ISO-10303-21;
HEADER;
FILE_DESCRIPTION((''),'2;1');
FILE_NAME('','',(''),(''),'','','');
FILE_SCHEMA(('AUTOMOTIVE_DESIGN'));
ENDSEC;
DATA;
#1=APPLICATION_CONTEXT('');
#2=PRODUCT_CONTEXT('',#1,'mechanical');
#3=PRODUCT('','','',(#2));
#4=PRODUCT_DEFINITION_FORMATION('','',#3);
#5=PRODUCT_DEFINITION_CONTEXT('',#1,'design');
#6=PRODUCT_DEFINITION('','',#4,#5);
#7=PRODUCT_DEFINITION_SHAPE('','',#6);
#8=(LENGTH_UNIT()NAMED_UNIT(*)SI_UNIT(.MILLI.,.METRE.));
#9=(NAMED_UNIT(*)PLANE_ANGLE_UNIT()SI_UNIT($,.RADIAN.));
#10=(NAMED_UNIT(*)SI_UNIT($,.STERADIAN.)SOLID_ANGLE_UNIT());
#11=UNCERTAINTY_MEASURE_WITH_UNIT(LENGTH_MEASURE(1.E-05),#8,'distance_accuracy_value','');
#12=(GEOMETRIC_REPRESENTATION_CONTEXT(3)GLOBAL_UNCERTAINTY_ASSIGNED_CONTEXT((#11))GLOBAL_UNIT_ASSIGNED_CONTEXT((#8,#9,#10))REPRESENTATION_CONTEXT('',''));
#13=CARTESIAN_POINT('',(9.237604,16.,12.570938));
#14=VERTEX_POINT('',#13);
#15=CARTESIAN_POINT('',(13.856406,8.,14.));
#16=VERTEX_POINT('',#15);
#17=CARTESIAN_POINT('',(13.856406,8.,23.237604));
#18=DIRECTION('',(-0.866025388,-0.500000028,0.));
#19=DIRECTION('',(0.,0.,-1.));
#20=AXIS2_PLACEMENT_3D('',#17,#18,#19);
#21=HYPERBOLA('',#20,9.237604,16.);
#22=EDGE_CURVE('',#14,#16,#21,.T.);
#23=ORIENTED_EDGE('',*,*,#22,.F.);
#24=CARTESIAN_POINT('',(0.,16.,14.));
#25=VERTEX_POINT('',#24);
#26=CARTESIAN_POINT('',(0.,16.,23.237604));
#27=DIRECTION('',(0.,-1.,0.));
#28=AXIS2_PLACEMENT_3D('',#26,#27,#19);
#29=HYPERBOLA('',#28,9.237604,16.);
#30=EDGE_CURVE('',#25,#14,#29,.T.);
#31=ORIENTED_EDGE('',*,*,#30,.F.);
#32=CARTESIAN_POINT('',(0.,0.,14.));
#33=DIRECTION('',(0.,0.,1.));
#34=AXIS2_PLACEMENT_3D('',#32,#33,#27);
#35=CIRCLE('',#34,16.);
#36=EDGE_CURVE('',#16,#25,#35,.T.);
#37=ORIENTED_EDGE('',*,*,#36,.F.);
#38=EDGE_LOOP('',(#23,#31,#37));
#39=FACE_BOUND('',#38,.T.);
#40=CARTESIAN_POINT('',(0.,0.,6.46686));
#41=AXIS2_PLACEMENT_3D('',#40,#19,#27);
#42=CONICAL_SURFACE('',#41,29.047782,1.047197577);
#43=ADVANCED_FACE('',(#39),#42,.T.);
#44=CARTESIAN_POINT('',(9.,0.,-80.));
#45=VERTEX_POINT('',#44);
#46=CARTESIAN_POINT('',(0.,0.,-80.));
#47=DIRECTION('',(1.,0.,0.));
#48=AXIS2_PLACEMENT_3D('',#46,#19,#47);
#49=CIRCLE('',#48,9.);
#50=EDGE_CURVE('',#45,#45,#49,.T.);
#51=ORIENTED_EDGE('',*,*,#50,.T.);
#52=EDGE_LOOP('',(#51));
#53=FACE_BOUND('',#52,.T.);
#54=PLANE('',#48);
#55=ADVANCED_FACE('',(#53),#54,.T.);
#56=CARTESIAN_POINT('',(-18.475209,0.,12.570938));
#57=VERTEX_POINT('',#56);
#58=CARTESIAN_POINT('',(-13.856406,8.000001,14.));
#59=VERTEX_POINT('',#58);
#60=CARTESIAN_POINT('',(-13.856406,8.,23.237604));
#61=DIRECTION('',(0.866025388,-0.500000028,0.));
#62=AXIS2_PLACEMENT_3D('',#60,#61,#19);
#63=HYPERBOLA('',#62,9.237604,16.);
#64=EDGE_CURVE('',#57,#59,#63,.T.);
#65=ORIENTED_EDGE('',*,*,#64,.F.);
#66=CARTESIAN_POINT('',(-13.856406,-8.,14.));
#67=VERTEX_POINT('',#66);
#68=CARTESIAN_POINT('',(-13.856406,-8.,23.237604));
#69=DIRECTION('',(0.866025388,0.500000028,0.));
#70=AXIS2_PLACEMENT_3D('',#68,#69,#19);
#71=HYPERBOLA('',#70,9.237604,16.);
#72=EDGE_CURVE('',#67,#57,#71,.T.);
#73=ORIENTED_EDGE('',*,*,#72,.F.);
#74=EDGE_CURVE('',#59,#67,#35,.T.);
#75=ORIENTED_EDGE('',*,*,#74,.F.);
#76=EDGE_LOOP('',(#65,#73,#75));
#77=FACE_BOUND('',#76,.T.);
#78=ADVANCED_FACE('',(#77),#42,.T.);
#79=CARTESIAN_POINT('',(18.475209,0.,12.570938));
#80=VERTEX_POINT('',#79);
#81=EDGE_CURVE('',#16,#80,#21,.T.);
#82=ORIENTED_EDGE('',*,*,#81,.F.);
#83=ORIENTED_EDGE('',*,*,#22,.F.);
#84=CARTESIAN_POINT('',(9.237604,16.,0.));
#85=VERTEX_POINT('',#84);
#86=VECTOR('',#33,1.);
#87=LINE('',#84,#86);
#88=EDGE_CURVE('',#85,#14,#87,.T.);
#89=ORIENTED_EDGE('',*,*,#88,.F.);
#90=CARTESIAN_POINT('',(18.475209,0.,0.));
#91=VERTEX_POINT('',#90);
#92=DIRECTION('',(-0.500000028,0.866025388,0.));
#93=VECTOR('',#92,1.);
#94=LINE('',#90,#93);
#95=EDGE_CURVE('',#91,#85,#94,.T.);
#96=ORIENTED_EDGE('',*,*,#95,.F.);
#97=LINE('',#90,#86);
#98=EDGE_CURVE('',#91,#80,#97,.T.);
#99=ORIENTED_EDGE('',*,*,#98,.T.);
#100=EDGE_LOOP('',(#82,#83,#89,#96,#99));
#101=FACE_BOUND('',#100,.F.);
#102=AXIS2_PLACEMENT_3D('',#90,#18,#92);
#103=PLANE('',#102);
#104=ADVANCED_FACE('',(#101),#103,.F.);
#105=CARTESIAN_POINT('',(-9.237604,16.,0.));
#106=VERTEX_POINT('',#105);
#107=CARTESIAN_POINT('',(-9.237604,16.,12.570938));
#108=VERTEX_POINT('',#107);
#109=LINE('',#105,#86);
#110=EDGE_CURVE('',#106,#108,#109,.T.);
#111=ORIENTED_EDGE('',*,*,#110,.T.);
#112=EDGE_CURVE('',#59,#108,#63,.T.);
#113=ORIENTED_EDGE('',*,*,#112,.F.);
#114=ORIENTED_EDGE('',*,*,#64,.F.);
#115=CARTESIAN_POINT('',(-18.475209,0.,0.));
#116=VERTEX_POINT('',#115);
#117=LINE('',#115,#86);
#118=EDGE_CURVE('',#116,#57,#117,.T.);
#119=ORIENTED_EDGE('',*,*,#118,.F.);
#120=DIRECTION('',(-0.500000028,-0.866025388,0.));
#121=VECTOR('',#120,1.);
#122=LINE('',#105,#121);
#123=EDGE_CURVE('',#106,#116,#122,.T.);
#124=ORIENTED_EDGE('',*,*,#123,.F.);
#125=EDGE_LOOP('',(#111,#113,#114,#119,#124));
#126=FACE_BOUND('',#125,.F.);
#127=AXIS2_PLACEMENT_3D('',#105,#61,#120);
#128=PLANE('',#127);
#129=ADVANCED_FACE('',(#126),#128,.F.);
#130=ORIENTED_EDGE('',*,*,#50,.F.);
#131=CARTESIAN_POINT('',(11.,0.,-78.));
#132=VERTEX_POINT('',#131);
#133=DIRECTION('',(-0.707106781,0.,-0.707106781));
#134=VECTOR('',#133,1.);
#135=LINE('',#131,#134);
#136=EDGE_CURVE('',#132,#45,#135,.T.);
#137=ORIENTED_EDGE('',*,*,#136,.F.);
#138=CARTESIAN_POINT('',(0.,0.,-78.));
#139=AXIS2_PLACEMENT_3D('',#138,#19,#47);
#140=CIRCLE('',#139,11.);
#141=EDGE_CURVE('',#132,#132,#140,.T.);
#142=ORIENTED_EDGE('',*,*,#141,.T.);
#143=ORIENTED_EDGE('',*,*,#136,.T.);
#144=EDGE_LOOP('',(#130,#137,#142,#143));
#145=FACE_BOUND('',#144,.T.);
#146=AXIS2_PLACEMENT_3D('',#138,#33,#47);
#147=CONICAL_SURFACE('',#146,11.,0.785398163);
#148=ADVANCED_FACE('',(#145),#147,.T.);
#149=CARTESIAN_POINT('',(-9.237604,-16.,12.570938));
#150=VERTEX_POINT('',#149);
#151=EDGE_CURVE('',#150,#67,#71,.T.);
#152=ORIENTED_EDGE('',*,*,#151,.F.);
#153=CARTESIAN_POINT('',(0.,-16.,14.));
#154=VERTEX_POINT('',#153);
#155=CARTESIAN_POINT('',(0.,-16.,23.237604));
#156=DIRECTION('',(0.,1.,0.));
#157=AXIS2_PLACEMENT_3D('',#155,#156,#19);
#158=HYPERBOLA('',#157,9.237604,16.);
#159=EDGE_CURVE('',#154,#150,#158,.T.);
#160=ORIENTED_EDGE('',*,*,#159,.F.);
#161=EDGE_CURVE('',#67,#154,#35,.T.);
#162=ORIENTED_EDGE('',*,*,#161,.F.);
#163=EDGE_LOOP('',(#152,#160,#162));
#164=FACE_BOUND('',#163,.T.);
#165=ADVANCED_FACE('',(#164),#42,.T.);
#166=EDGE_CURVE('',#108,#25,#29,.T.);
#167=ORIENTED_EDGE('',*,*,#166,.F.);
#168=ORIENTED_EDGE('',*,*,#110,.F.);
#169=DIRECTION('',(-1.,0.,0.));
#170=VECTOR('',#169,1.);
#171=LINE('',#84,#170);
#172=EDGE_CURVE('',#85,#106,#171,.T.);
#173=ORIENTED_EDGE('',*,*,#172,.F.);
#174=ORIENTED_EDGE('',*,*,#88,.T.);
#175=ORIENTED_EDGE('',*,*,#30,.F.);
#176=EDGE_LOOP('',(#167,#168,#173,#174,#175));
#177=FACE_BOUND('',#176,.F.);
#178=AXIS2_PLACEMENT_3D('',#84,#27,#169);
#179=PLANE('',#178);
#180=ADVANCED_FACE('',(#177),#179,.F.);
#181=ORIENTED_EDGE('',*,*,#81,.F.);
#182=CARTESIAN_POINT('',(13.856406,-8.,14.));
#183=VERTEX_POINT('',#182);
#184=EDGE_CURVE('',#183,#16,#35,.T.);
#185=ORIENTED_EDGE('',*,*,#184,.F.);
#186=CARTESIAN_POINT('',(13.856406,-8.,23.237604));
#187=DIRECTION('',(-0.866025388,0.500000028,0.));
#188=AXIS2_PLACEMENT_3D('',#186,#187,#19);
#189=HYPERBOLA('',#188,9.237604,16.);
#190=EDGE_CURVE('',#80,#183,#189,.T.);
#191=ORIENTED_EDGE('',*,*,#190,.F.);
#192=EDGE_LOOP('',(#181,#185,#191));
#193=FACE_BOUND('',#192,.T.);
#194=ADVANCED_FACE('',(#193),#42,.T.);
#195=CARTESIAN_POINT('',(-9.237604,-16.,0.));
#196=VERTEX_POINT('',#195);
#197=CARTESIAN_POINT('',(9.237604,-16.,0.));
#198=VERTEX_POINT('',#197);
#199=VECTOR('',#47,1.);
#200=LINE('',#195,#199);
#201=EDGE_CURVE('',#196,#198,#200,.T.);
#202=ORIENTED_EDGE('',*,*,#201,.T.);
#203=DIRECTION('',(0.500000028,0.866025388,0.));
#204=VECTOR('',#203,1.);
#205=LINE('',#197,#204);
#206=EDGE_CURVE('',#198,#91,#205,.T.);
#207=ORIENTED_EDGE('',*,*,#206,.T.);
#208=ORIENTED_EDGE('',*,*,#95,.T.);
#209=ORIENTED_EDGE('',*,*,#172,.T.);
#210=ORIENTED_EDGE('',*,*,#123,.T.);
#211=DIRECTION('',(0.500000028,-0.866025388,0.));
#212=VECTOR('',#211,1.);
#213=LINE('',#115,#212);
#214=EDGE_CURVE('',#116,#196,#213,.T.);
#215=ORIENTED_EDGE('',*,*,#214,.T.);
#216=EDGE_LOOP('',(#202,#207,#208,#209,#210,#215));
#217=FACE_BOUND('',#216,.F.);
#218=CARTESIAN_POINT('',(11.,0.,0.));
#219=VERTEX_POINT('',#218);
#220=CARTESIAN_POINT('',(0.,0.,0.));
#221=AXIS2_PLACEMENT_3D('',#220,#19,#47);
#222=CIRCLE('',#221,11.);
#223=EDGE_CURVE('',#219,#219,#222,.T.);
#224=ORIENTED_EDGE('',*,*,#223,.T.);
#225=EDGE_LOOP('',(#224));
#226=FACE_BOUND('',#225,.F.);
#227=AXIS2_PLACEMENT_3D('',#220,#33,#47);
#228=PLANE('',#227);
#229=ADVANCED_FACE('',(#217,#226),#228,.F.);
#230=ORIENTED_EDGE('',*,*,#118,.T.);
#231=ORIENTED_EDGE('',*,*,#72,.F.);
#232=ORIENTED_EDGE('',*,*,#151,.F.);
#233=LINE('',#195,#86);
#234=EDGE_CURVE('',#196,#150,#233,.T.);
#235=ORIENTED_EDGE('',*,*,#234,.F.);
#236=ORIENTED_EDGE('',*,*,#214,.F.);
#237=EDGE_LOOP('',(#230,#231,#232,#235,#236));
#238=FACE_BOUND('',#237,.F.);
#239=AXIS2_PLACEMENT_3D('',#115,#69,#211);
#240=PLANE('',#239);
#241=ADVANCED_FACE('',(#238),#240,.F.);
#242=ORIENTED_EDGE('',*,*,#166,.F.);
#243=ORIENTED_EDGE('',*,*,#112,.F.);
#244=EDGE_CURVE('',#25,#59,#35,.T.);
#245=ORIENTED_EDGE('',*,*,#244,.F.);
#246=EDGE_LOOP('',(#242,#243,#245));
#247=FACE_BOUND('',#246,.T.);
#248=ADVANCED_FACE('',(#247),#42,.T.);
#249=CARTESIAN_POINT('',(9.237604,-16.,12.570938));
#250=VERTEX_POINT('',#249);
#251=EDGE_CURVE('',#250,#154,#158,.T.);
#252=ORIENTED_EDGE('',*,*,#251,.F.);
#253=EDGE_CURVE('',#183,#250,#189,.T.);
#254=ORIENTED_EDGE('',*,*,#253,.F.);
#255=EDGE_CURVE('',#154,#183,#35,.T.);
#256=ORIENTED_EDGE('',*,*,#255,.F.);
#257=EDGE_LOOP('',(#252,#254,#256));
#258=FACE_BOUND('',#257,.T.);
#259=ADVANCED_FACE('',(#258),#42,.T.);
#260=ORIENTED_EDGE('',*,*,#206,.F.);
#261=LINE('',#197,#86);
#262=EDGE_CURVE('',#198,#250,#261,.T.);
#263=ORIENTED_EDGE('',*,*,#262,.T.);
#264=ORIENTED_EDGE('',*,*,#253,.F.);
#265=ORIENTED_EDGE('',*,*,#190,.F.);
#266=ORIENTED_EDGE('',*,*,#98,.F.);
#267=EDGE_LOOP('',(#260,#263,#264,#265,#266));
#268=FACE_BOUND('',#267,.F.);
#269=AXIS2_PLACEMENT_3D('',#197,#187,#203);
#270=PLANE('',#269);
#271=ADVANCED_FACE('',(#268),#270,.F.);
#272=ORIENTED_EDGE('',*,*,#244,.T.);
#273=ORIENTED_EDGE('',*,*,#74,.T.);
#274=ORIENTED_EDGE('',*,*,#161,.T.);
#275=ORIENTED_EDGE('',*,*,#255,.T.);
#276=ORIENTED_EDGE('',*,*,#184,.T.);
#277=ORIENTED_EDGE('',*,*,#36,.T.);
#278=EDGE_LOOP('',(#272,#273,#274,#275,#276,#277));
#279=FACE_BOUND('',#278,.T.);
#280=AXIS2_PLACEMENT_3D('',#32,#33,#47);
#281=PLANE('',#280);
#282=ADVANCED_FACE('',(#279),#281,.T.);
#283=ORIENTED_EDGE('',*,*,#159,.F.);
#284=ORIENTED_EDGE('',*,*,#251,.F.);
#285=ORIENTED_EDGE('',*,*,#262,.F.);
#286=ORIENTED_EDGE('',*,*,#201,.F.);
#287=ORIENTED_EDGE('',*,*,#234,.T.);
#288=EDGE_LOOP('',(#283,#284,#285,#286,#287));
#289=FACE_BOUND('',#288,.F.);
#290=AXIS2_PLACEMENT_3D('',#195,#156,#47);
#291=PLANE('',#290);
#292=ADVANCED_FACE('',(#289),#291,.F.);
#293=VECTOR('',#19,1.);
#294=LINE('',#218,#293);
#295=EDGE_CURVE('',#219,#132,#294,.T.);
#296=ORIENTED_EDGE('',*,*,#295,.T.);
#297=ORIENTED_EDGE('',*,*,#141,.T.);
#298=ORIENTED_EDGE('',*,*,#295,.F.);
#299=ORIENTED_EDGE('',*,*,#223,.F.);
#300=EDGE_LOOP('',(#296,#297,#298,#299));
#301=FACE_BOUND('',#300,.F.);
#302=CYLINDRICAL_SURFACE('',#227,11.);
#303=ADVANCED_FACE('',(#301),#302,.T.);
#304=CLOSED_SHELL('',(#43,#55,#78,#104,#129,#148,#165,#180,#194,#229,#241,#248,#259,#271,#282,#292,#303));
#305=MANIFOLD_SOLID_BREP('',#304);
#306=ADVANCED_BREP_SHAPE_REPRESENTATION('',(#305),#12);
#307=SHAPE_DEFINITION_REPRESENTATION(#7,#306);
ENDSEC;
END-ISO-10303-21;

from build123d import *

# Parameters (mm, degrees)
F1_DEPTH = 14
F4_R     = 11
F5_DEPTH = 80
F6_SIZE  = 2


with BuildPart() as f1:
    # F0 (on Top) → F1 (new body)
    with BuildSketch(Plane.XY):
        Polygon((18.475209, 0), (9.237604, 16), (-9.237604, 16), (-18.475209, 0), (-9.237604, -16), (9.237604, -16), align=None)
    extrude(amount=F1_DEPTH)

    # F2 (on Right) → F3 (revolve, cut)
    with BuildSketch(Plane.YZ):
        Polygon((-29.047782, 6.46686), (-16, 14), (-29.047782, 14), align=None)
    revolve(axis=Axis((0, 0, 10.077371), (0, 0, 1)), mode=Mode.SUBTRACT)

    # F4 (on face) → F5 (join)
    with BuildSketch(Plane(origin=(0, 0, 0), x_dir=(1, 0, 0), z_dir=(0, 0, -1))):
        Circle(F4_R)
    extrude(amount=F5_DEPTH)

    # F6
    f6_edges = [f1.edges().sort_by_distance(p)[0] for p in [
        (-11, 0, -80),
    ]]
    chamfer(f6_edges, length=F6_SIZE)


solid = f1.part
